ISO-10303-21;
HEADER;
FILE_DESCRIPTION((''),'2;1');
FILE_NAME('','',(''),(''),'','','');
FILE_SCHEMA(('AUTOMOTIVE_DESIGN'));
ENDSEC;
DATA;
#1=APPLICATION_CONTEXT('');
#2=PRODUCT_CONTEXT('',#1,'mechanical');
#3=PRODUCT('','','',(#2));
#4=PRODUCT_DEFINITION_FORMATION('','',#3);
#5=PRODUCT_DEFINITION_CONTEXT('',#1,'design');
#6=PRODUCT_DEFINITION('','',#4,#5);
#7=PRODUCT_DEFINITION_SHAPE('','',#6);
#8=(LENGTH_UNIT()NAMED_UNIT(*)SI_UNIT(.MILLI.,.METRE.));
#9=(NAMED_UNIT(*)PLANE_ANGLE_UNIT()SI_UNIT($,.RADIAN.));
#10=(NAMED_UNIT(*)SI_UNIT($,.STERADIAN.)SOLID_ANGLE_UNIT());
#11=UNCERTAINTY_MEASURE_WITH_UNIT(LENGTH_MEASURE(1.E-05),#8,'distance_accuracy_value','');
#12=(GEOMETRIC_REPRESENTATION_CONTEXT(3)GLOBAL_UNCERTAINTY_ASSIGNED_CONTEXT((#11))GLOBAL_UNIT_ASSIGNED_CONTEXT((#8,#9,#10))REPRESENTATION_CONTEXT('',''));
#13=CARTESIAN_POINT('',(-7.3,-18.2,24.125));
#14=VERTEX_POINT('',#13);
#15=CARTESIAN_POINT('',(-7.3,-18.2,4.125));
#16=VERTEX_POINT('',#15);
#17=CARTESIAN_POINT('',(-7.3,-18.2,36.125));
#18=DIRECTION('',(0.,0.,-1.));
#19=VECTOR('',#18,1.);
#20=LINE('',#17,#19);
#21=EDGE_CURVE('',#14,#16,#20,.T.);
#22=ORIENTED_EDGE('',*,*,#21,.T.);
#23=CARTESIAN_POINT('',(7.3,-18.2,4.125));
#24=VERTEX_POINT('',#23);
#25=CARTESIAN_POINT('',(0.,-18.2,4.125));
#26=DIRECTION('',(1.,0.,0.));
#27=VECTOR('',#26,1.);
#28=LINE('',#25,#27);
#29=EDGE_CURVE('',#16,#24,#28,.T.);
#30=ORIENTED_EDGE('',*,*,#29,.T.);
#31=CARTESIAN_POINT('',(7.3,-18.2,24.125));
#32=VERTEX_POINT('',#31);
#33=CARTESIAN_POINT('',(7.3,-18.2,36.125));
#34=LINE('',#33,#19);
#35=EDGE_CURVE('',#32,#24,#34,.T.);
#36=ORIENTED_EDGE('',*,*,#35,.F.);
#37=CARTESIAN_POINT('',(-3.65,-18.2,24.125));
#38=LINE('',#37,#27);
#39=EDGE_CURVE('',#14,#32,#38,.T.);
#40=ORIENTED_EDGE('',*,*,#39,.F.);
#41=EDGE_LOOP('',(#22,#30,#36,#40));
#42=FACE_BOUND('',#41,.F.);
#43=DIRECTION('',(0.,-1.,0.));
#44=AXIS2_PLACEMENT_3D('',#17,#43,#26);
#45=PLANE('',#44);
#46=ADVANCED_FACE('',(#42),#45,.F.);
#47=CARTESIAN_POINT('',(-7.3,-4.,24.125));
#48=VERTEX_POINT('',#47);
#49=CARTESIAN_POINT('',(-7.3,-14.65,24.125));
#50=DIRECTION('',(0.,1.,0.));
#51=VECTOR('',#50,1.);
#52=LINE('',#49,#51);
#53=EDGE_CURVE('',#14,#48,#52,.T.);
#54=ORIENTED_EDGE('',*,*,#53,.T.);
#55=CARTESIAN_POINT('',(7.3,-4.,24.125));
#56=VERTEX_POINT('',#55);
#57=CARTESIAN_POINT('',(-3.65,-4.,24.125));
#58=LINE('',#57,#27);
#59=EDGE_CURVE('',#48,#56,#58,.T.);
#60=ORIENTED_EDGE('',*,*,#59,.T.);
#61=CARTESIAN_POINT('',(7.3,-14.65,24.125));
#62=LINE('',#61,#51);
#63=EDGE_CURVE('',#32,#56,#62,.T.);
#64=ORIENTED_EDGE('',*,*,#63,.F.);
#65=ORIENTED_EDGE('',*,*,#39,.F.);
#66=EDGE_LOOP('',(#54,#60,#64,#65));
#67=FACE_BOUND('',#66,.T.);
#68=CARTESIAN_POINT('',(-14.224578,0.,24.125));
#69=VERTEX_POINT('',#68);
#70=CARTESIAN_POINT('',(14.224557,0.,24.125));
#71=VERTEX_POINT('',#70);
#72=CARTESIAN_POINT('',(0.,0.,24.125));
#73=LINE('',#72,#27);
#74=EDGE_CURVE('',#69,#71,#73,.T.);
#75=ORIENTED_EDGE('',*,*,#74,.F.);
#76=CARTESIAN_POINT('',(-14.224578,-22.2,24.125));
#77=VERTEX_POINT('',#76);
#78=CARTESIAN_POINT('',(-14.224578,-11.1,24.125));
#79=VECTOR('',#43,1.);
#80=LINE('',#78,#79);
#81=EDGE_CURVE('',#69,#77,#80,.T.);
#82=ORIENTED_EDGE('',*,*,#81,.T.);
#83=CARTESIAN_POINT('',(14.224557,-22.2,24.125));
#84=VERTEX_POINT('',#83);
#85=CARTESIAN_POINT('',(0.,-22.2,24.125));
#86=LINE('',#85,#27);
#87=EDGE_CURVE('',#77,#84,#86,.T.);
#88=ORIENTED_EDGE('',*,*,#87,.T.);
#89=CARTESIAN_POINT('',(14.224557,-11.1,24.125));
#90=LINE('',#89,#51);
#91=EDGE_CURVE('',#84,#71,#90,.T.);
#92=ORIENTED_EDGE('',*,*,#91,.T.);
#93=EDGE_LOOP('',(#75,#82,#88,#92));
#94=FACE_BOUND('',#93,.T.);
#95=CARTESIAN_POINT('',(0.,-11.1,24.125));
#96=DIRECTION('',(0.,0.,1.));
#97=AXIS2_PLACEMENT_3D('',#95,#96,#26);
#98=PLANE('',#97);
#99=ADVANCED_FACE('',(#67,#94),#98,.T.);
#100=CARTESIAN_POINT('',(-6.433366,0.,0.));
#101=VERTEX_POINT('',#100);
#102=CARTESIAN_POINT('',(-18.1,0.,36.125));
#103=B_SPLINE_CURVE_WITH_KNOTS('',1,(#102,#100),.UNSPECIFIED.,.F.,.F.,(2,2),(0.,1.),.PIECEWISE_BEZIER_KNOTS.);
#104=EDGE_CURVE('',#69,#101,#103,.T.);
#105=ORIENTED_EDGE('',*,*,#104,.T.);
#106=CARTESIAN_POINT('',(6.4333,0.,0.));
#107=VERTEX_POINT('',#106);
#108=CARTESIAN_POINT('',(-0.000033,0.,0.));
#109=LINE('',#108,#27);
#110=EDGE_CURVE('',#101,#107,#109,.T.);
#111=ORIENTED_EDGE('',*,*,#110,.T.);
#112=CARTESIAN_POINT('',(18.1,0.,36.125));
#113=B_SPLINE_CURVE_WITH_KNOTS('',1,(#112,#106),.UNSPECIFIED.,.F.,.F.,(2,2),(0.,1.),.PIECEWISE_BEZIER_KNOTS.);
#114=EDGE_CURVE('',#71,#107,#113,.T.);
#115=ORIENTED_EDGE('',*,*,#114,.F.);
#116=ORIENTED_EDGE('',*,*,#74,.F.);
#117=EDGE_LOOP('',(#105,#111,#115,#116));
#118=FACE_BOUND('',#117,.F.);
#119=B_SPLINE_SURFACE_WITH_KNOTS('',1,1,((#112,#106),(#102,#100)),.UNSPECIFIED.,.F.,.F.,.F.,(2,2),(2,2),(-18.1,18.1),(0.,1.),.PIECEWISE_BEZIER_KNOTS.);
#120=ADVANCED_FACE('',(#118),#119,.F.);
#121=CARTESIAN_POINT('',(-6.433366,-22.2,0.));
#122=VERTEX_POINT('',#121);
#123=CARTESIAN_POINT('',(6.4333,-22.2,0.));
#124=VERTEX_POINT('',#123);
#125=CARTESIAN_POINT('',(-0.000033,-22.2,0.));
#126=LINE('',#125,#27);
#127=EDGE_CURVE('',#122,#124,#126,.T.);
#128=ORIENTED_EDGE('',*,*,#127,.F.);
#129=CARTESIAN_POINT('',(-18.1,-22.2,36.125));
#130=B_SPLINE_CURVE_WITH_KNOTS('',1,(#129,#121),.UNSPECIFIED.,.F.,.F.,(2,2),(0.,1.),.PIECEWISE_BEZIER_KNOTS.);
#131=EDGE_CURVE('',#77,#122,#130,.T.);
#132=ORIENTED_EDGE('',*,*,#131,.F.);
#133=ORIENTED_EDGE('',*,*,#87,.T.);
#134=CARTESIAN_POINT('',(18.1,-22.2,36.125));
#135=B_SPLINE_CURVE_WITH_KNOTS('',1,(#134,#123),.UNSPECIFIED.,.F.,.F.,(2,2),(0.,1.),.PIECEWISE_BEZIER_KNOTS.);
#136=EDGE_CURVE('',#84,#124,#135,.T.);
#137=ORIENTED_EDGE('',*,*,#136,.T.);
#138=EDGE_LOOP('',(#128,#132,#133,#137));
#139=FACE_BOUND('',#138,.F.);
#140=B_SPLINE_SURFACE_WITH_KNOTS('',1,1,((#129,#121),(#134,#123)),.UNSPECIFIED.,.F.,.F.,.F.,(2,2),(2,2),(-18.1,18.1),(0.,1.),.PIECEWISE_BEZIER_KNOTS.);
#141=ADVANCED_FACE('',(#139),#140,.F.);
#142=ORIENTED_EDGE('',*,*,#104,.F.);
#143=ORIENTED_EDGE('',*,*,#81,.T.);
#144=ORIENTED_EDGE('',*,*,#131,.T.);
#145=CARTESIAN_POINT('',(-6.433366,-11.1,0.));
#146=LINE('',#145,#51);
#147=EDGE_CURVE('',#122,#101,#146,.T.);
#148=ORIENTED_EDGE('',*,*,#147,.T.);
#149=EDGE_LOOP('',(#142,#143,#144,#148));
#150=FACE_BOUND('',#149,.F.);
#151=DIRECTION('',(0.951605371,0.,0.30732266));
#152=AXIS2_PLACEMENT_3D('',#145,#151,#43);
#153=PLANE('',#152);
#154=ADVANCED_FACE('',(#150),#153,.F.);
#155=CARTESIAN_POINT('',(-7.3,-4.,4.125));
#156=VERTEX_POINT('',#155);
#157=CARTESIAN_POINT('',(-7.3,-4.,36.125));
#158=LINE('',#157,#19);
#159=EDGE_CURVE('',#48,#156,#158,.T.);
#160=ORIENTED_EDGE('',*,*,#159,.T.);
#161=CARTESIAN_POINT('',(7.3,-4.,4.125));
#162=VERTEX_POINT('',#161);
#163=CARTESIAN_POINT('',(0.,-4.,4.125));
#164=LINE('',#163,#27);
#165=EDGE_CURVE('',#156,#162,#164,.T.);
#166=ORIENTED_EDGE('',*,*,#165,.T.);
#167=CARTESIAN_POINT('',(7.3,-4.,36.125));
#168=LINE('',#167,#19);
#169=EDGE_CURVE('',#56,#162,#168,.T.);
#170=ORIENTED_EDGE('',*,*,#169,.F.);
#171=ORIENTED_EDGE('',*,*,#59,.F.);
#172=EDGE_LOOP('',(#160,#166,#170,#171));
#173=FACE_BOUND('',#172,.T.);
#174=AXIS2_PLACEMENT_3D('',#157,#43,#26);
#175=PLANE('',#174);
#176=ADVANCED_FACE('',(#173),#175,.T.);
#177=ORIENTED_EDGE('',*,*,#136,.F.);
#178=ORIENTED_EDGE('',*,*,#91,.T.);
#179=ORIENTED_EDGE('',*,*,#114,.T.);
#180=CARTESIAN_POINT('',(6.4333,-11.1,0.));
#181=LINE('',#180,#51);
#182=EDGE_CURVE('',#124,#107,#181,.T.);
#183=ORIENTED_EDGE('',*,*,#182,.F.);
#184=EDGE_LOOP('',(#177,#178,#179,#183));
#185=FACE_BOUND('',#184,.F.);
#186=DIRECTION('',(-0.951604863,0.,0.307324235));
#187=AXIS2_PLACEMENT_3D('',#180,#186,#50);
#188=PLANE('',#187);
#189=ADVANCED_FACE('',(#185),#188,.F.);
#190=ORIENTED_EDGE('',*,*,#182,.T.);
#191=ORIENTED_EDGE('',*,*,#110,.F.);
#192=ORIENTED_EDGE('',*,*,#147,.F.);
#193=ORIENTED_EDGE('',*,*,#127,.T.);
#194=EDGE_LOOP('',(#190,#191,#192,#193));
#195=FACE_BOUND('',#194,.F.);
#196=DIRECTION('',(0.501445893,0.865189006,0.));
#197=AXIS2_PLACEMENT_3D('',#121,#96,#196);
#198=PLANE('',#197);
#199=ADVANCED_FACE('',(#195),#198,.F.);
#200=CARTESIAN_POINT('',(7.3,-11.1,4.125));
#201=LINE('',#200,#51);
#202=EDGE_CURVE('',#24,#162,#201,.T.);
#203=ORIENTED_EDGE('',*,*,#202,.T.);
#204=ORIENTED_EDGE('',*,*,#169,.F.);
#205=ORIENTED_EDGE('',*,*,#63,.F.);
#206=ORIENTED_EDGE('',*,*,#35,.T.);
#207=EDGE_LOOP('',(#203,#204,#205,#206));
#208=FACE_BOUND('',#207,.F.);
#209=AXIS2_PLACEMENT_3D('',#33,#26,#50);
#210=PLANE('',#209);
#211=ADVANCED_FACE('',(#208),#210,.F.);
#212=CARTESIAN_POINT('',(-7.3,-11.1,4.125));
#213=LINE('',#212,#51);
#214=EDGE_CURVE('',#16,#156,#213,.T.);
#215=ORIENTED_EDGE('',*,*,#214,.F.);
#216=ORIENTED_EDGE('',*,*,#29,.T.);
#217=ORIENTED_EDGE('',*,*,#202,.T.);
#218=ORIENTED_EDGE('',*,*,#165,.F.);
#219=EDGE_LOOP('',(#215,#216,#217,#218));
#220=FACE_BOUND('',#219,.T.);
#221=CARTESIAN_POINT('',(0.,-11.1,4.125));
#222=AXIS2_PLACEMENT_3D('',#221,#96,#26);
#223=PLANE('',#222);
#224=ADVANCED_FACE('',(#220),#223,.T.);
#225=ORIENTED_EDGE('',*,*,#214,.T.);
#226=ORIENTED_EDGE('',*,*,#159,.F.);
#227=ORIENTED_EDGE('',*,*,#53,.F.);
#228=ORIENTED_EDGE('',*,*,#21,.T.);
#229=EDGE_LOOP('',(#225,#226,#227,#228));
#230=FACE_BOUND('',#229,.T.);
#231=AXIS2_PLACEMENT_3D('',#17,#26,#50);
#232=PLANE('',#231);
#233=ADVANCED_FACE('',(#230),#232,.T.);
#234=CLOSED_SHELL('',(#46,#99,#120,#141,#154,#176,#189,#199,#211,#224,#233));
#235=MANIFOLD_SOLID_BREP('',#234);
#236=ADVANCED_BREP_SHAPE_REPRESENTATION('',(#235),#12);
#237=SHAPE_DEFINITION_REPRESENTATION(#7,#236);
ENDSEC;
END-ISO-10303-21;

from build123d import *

# Parameters (mm, degrees)
F1_W      = 36.2
F1_H      = 22.2
F2_W      = 12.866667
F2_H      = 22.2
F3_FACE_W = 36.2
F3_FACE_H = 22.2
F4_DEPTH  = 12
F5_W      = 14.6
F5_H      = 14.2
F6_DEPTH  = 32


with BuildPart() as f3:
    # F1 (on offset) → F3 section 0
    with BuildSketch(Plane.XY.offset(36.125)):
        with Locations((0, -11.1)):
            Rectangle(F1_W, F1_H)
    # F2 (on Top) → F3 section 1
    with BuildSketch(Plane.XY):
        with Locations((-3.3e-05, -11.1)):
            Rectangle(F2_W, F2_H)
    loft()

    # F3_face (on face) → F4 (cut)
    with BuildSketch(Plane(origin=(0, -11.1, 36.125), x_dir=(1, 0, 0), z_dir=(0, 0, 1))):
        Rectangle(F3_FACE_W, F3_FACE_H)
    extrude(amount=-F4_DEPTH, mode=Mode.SUBTRACT)

    # F5 (on offset) → F6 (cut)
    with BuildSketch(Plane.XY.offset(36.125)):
        with Locations((0, -11.1)):
            Rectangle(F5_W, F5_H)
    extrude(amount=-F6_DEPTH, mode=Mode.SUBTRACT)


solid = f3.part
